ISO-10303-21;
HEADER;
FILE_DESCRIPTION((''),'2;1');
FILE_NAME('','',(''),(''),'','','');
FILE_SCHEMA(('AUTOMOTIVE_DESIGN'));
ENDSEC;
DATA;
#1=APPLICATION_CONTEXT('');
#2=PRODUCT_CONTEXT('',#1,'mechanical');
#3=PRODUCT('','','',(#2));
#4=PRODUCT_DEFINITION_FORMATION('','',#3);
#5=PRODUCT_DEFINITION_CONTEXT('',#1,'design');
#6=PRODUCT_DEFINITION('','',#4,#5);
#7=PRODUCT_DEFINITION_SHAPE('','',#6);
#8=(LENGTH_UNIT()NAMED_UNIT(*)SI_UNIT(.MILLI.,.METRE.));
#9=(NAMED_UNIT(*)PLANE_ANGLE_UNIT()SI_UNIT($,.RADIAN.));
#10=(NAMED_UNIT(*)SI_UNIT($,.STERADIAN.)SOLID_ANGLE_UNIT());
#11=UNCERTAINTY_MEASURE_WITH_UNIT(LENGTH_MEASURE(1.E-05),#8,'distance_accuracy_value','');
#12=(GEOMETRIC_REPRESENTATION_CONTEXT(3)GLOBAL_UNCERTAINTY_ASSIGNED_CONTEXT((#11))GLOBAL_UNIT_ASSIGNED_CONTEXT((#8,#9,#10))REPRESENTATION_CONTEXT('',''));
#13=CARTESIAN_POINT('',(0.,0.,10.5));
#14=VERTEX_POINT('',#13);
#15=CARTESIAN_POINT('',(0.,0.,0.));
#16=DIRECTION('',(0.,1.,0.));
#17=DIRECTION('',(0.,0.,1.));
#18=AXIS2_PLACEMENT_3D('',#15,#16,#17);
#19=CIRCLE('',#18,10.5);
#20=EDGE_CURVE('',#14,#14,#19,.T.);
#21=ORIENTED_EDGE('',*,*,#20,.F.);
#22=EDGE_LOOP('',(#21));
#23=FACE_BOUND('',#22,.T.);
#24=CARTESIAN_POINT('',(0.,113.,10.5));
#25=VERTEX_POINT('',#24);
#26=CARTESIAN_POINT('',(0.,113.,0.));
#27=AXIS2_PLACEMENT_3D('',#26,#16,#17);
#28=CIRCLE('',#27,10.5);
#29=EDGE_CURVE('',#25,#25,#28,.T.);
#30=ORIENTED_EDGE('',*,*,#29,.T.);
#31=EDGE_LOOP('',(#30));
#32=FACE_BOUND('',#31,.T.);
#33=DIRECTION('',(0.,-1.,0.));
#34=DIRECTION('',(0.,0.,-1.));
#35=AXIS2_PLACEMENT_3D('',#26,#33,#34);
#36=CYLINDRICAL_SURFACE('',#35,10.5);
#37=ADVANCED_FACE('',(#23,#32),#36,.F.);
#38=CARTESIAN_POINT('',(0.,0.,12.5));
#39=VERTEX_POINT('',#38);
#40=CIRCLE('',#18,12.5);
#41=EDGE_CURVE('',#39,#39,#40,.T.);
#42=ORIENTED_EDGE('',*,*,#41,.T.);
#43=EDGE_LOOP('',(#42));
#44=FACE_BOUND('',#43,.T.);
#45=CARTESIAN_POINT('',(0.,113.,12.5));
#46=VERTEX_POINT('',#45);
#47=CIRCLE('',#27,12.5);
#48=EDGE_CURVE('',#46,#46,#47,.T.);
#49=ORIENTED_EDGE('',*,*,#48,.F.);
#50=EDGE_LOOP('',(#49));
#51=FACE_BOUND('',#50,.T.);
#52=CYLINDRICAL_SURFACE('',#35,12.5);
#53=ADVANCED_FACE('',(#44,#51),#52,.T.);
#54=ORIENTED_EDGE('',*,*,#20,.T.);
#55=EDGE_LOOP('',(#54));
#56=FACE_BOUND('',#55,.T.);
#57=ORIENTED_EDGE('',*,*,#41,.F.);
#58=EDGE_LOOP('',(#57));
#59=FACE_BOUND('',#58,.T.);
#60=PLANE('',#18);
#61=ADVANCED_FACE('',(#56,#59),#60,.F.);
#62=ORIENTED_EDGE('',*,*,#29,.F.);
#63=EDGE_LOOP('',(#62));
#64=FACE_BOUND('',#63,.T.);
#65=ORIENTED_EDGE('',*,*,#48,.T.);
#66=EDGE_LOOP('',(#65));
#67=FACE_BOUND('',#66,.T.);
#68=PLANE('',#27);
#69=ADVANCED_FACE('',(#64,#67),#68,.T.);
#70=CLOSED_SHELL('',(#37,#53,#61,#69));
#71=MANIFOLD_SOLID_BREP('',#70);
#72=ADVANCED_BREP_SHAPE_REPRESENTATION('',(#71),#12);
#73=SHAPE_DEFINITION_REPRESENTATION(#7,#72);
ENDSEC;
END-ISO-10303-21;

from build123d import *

# Parameters (mm, degrees)
SKETCH1_R           = 12.500000019
SKETCH1_R_2         = 10.499999955
BOSS_EXTRUDE1_DEPTH = 113


with BuildPart() as part:
    # Sketch1 → Boss-Extrude1 (new body)
    with BuildSketch(Plane(origin=(0, 0, 0), x_dir=(1, 0, 0), z_dir=(0, 1, 0))):
        with Locations(Location((0, 0, 0), (0, 0, 270))):
            Circle(SKETCH1_R)
        with Locations(Location((0, 0, 0), (0, 0, 270))):
            Circle(SKETCH1_R_2, mode=Mode.SUBTRACT)
    extrude(amount=BOSS_EXTRUDE1_DEPTH)


solid = part.part
